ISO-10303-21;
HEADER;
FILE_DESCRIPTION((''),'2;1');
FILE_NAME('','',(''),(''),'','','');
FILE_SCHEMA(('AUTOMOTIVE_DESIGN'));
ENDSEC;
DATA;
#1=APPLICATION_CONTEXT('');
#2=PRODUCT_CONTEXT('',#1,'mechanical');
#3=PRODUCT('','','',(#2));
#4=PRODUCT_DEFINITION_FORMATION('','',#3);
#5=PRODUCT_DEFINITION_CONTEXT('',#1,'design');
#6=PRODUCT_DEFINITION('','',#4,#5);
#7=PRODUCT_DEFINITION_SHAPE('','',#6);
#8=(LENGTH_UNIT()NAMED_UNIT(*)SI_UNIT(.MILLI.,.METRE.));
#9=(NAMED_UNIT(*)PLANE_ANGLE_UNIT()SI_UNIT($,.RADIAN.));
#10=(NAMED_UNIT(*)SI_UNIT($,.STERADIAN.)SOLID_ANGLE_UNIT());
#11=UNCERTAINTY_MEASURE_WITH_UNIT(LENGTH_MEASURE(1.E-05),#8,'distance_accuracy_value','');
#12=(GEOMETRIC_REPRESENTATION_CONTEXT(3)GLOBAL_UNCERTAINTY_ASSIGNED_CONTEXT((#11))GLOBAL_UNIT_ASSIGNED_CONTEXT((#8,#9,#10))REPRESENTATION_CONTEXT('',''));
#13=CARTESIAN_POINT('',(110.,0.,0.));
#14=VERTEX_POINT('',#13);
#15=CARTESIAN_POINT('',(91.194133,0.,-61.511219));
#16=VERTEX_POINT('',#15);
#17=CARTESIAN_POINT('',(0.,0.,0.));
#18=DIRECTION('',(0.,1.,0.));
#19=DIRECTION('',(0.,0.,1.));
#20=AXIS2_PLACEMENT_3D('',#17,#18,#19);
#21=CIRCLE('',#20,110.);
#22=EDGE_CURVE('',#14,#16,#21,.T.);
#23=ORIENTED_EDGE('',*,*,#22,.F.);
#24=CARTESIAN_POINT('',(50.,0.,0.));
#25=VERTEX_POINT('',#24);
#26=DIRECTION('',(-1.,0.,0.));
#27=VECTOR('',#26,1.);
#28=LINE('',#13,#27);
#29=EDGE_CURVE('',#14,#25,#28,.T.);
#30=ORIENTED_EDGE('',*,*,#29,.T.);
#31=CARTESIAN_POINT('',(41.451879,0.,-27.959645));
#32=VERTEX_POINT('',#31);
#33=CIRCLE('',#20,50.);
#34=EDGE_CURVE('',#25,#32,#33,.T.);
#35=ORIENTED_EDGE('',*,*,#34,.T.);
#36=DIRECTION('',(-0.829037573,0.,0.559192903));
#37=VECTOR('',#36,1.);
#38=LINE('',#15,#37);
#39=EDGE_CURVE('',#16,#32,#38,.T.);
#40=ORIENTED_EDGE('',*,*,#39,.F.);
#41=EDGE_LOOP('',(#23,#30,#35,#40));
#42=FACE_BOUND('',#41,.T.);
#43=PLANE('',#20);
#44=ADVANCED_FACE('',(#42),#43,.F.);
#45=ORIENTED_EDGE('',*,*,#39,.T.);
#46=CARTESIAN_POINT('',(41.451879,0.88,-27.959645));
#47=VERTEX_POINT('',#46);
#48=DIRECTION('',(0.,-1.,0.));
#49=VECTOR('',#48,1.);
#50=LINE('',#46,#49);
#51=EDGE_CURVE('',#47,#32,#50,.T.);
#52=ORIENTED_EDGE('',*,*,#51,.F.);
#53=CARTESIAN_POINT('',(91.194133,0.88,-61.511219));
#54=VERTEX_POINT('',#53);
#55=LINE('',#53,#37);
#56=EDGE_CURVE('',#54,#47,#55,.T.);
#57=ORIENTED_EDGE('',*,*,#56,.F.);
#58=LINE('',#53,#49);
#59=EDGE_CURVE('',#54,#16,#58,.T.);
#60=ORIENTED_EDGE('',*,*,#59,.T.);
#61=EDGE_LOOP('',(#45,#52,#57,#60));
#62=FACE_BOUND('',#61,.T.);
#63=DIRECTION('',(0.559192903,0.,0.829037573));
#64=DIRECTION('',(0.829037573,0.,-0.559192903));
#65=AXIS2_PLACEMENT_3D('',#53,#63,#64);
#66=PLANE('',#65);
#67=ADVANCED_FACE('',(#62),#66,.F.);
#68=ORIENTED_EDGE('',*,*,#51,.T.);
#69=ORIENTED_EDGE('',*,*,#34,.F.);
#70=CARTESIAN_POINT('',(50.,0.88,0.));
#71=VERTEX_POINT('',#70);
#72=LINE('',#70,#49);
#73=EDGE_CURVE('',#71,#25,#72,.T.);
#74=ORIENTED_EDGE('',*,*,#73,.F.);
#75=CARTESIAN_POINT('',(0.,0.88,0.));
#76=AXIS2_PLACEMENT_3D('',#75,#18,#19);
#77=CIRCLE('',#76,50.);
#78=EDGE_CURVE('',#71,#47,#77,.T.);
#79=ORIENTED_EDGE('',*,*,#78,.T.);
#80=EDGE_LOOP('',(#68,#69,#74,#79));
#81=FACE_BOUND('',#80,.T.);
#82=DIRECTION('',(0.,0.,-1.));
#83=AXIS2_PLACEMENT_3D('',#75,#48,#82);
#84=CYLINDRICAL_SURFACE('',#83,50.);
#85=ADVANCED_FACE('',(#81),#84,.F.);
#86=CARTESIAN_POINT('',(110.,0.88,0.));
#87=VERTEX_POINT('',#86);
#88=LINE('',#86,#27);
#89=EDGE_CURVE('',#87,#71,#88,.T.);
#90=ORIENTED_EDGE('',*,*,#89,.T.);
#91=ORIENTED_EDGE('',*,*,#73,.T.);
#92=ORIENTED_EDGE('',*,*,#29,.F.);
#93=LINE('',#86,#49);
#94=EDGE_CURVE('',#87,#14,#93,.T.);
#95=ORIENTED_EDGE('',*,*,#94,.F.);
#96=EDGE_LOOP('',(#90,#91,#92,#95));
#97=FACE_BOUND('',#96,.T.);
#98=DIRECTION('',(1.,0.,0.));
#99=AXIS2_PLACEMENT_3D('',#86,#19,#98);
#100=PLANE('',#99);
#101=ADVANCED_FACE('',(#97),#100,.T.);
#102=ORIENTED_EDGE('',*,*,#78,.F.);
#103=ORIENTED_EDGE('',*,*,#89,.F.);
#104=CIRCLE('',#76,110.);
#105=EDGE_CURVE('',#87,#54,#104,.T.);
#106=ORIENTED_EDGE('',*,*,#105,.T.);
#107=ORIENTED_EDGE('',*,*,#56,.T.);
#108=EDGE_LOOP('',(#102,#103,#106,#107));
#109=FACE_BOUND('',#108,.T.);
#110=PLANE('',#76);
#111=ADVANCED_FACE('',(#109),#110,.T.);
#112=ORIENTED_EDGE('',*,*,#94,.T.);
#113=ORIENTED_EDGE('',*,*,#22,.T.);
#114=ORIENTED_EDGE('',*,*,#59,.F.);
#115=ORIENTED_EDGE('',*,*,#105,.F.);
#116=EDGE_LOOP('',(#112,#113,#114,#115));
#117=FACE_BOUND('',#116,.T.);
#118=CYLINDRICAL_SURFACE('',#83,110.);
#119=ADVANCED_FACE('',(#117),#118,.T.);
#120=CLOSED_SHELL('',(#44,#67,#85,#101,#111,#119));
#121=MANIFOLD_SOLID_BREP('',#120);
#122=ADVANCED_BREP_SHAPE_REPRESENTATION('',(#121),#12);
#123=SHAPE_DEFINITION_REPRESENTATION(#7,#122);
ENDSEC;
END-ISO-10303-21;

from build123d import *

# Parameters (mm, degrees)
EXTRUDE_1_DEPTH = 0.88


with BuildPart() as part:
    # 草图1 → 凸台-拉伸1 (new body)
    with BuildSketch(Plane(origin=(0, 0, 0), x_dir=(1, 0, 0), z_dir=(0, 1, 0))):
        with BuildLine():
            Line((91.194132981, 61.511219382), (41.451878628, 27.959645174))
            ThreePointArc((41.451878628, 27.959645174), (47.815237798, 14.618585236), (50, 0))
            Line((50, 0), (110, 0))
            ThreePointArc((110, 0), (105.193523156, 32.16088752), (91.194132981, 61.511219382))
        make_face()
    extrude(amount=EXTRUDE_1_DEPTH)


solid = part.part
